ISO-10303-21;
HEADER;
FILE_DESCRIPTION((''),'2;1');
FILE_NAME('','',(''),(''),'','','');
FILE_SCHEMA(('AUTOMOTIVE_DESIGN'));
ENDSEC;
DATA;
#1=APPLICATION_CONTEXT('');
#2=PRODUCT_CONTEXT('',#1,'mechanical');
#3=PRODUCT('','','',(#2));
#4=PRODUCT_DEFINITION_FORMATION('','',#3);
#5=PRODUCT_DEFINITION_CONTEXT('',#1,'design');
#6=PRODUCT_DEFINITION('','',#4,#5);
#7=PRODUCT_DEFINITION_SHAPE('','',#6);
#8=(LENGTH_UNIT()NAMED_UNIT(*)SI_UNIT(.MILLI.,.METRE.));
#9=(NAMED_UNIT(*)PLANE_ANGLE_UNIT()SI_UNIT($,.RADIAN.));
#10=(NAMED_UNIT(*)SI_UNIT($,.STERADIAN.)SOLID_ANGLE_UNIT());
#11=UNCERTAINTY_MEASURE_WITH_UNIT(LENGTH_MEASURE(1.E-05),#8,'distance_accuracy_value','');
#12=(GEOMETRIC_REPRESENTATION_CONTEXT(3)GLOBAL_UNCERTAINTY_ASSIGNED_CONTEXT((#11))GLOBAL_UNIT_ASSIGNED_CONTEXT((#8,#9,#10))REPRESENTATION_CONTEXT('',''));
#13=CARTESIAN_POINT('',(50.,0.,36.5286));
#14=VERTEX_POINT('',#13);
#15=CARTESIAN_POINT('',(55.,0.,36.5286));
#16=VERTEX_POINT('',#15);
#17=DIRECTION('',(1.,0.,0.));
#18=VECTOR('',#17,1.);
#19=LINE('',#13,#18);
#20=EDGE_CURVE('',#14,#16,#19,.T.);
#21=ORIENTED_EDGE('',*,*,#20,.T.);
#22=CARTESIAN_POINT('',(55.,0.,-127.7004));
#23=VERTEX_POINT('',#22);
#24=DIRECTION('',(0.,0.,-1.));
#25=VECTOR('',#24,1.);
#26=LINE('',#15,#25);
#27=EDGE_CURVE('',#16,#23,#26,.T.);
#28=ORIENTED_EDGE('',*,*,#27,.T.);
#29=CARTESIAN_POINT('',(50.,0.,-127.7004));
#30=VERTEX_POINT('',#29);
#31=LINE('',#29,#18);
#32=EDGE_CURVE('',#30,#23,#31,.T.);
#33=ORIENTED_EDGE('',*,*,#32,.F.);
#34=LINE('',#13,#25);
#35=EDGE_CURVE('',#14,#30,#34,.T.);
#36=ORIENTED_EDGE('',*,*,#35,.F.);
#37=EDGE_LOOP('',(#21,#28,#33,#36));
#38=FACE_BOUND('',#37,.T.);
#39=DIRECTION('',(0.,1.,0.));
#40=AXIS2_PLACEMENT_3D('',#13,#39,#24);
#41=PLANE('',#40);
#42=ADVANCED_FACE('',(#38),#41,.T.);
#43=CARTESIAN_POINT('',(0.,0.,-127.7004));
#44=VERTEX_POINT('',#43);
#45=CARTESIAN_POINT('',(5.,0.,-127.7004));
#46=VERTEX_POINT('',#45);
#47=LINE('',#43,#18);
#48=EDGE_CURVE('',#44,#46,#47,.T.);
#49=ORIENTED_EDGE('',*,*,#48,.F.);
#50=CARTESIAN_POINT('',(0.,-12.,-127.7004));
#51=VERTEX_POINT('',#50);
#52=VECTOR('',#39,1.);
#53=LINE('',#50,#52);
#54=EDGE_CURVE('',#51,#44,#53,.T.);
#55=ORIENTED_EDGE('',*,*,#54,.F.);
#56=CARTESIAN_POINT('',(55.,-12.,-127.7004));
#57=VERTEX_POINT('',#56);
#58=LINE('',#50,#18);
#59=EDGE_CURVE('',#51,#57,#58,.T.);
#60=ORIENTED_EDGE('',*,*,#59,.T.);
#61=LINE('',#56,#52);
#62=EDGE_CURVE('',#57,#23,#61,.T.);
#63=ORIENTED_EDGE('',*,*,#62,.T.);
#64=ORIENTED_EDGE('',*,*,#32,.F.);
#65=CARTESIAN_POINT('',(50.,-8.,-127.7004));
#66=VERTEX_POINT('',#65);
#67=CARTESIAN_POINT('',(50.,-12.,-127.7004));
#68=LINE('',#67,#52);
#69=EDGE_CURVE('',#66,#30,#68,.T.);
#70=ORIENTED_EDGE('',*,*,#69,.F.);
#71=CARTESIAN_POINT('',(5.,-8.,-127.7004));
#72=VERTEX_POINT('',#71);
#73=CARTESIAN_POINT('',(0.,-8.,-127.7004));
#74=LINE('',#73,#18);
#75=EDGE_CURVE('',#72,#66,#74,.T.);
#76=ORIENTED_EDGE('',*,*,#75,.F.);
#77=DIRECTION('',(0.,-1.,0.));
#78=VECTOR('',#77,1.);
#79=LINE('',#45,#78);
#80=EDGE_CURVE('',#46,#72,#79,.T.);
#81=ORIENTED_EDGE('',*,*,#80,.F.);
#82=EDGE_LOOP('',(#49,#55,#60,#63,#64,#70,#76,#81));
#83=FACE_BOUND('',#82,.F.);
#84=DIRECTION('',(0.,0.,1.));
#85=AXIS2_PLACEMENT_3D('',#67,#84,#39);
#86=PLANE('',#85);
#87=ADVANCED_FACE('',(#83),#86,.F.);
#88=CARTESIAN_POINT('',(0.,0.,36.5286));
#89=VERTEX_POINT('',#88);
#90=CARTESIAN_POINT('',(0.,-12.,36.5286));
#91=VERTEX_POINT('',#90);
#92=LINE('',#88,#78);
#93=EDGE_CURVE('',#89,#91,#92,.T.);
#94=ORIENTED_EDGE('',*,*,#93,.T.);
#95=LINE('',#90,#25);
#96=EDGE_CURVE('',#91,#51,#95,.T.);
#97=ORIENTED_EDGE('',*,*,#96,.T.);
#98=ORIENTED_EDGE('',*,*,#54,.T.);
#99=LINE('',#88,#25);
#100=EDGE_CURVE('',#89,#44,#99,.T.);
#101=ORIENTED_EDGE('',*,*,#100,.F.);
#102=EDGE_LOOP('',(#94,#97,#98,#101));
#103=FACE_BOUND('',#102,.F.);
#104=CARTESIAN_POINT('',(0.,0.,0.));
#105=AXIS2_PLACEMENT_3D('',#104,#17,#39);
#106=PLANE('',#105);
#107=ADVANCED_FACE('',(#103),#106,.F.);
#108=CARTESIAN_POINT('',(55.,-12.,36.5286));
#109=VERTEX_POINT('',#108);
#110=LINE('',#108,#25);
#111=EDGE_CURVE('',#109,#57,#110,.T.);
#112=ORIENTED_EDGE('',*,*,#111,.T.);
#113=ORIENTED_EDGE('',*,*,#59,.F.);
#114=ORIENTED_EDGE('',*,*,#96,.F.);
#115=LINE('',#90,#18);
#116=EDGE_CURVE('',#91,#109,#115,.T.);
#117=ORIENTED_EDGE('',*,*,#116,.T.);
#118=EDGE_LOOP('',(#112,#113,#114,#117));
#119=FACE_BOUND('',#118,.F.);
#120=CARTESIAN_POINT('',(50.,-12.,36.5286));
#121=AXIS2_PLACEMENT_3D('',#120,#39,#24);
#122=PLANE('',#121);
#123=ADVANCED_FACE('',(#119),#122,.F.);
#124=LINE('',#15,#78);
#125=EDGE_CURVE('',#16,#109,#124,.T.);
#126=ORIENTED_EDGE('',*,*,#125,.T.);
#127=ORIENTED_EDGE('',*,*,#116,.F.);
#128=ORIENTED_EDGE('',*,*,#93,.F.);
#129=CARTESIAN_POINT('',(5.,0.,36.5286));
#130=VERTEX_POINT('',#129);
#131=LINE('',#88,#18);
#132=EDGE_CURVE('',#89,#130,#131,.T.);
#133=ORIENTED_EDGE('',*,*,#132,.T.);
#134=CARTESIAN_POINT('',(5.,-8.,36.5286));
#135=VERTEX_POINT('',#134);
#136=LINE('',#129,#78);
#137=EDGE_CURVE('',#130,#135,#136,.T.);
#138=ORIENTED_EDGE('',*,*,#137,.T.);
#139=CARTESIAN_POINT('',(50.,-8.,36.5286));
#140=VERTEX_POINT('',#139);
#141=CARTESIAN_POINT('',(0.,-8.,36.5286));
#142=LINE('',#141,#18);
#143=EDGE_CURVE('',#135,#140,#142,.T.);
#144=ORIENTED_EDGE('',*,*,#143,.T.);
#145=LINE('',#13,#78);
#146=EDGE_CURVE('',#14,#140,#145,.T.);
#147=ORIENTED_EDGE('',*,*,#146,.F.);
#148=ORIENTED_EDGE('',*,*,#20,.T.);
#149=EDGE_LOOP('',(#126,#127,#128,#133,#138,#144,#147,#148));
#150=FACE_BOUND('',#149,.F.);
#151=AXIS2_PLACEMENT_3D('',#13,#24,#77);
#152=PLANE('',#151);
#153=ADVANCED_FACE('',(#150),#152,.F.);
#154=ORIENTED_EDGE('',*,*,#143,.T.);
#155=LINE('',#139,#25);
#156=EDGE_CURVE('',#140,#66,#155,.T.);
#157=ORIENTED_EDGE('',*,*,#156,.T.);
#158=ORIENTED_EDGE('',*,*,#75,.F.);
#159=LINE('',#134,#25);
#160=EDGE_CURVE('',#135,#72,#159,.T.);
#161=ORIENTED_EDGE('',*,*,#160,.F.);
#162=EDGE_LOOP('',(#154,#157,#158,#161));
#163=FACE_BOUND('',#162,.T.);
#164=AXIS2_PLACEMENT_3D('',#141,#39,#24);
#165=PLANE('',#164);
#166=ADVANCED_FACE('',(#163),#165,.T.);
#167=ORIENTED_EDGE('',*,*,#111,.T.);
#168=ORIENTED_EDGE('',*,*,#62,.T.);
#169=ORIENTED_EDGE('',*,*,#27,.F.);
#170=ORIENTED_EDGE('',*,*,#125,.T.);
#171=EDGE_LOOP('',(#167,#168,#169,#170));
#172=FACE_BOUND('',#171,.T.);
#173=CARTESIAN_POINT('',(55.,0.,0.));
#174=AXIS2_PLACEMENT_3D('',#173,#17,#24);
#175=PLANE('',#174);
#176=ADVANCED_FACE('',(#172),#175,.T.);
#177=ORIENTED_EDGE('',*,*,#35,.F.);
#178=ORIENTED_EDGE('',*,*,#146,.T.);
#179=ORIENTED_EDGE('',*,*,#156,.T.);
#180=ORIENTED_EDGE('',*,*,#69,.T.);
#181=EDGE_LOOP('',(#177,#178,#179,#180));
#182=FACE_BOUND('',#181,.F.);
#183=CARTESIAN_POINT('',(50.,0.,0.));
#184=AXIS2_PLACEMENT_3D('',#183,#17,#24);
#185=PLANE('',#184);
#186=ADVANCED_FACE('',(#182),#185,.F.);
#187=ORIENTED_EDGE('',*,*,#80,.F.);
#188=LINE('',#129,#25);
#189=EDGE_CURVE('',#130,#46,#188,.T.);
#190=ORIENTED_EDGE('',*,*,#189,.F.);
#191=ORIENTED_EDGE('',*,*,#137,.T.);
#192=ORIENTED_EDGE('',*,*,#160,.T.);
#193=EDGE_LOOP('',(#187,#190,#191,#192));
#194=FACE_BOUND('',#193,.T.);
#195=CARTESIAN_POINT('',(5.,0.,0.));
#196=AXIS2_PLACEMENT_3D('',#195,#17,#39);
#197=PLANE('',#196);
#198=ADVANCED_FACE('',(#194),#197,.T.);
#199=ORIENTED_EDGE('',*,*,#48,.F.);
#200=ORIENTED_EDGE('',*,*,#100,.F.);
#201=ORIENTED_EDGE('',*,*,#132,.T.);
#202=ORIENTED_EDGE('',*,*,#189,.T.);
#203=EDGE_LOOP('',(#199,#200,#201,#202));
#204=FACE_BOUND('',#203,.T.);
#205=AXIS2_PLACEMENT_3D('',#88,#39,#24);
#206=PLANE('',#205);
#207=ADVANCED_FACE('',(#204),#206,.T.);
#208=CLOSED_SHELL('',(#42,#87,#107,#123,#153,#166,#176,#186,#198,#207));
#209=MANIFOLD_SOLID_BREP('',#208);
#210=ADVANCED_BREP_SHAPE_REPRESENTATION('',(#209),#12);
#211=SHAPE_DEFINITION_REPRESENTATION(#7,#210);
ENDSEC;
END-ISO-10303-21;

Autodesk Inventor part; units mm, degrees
ref_plane "YZ Plane" through (0, 0, 0) normal (1, 0, 0) x (0, 1, 0)
ref_plane "XZ Plane" through (0, 0, 0) normal (0, 1, 0) x (-1, 0, 0)
ref_plane "XY Plane" through (0, 0, 0) normal (0, 0, 1) x (1, 0, 0)
sketch "Sketch1" plane through (0, 0, 0) normal (1, 0, 0) x (0, 1, 0)
  line L0 (0, 36.5286) -> (0, -127.7004)
  line L1 (0, 36.5286) -> (-8, 36.5286)
  line L2 (-8, 36.5286) -> (-8, -127.7004)
  line L3 (-8, -127.7004) -> (-5.4683, -127.7004)
  line L4 (-5.4683, -127.7004) -> (-2.7019, -127.7004)
  line L5 (-2.7019, -127.7004) -> (0, -127.7004)
  line L6 (-8, 36.5286) -> (-10, 36.5286)
  line L7 (-10, 36.5286) -> (-12, 36.5286)
  line L8 (-12, 36.5286) -> (-12, -127.7004)
  line L9 (-12, -127.7004) -> (-8, -127.7004)
  point P0 (0, 0)
  dimension "d0" = 164.229
  dimension "d1" = 8
  dimension "d2" = 2
  dimension "d3" = 2
extrude "Extrusion1" add sketch "Sketch1" along normal blind 5 contours L0 L5 L4 L3 L2 L1
sketch "Sketch2" plane through (0, 0, 0) normal (-1, 0, 0) x (0, 0, 1)
  point P0 (0, 0)
extrude "Extrusion2" add sketch "Sketch1" along normal blind 50 contours L2 L9 L8 L7 L6
sketch "Sketch3" plane through (50, 0, 0) normal (1, 0, 0) x (0, 0, -1)
  line L0 (-36.5286, -12) -> (127.7004, -12) projected
  line L1 (-36.5286, 0) -> (-36.5286, -12) projected
  line L2 (-36.5286, -12) -> (-36.5286, 0)
  line L3 (127.7004, -12) -> (127.7004, 0) projected
  line L4 (-36.5286, 0) -> (127.7004, 0)
  line L5 (127.7004, 0) -> (127.7004, -12)
  line L6 (127.7004, -12) -> (-36.5286, -12)
  point P0 (0, 0)
  dimension "d8" = 12
extrude "Extrusion3" add sketch "Sketch3" along normal blind 5
properties part number "Flange" material "Aluminum 6061-AHC"
